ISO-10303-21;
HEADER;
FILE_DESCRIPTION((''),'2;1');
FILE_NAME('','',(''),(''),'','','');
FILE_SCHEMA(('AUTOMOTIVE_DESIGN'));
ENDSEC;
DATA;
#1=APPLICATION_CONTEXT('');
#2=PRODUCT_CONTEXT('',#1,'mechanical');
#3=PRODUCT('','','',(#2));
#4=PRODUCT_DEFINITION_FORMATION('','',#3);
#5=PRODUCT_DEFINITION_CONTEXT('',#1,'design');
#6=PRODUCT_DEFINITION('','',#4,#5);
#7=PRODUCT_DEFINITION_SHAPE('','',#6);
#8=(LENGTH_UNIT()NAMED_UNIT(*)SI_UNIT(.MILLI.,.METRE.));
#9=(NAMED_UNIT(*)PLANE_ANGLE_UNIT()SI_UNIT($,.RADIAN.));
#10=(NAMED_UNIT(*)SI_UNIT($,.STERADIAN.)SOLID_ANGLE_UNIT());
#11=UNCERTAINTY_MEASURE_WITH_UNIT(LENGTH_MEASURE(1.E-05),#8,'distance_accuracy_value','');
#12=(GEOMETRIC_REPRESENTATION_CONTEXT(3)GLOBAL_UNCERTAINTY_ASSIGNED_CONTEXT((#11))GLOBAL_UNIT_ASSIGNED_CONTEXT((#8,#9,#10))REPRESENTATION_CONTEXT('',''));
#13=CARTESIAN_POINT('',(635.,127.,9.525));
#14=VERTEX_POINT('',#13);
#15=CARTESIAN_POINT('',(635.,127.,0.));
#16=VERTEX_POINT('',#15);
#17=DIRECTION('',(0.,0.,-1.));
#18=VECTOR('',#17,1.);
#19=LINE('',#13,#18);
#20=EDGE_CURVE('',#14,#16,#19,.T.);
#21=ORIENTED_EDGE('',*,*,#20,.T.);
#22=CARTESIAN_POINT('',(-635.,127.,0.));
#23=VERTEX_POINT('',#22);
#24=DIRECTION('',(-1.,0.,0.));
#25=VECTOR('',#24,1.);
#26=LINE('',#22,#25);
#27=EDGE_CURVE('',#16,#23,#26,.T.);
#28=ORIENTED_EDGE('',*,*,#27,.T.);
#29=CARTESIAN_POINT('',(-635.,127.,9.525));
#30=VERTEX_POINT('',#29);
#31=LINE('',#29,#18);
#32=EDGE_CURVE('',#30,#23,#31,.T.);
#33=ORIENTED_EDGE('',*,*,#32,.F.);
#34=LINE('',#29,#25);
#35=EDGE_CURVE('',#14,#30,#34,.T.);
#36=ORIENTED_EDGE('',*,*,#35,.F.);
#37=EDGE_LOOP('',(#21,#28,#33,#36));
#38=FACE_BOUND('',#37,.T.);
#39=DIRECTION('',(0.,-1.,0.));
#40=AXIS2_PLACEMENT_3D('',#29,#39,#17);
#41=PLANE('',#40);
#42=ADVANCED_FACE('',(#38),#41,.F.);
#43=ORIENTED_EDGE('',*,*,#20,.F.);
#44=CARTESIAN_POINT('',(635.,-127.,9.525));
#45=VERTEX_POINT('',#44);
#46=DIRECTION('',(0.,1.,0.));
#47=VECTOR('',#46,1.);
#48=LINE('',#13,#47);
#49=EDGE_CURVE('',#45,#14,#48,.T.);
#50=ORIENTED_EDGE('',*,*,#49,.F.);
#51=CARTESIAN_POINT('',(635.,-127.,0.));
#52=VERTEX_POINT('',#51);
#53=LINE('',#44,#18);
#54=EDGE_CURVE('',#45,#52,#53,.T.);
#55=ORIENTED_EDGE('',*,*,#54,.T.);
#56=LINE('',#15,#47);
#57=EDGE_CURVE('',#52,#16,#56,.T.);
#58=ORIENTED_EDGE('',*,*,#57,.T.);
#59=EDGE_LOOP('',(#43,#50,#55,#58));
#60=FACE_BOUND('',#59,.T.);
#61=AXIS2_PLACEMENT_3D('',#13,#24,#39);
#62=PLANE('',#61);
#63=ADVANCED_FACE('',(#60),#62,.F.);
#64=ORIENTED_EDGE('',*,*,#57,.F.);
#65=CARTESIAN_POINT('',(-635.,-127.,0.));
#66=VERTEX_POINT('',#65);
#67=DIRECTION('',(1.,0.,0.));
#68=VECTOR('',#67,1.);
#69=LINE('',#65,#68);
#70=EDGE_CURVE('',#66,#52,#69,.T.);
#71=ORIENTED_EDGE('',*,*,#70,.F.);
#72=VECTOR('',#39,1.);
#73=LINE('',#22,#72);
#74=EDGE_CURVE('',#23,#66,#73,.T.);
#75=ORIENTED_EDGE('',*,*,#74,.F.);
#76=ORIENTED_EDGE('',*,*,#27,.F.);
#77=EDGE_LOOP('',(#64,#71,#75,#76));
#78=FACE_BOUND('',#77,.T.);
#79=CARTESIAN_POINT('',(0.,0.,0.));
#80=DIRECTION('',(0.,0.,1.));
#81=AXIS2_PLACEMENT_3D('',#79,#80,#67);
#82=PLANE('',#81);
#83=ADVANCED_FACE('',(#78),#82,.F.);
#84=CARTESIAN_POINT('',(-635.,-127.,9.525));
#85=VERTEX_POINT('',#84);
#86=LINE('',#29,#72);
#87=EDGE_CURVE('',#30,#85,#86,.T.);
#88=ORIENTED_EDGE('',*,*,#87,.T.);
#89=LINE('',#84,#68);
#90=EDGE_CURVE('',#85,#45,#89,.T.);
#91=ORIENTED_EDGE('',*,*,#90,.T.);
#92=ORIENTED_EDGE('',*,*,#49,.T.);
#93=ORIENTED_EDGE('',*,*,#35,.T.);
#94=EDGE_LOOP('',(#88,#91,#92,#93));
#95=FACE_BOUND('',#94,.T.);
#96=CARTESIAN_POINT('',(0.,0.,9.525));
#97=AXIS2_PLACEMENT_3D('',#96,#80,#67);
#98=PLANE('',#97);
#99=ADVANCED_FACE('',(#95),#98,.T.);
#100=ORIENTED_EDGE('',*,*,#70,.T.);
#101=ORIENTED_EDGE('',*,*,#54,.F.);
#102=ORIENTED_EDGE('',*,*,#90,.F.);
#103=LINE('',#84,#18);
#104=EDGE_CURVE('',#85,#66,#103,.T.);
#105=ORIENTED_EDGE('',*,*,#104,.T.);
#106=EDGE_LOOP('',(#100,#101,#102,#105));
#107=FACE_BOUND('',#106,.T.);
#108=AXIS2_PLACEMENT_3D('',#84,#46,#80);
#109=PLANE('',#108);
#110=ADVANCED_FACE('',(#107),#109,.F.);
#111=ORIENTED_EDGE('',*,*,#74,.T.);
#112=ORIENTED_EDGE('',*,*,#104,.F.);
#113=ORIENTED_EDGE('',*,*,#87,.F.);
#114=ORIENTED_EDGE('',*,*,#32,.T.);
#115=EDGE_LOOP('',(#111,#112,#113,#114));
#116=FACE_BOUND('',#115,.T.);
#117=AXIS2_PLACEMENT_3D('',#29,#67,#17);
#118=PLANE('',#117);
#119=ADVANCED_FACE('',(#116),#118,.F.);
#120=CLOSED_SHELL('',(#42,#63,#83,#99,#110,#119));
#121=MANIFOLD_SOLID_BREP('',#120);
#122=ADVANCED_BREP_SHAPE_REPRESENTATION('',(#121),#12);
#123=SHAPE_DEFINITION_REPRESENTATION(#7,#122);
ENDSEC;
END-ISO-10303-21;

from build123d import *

# Parameters (mm, degrees)
SKETCH1_W           = 1270
SKETCH1_H           = 254
BOSS_EXTRUDE1_DEPTH = 9.525


with BuildPart() as part:
    # Sketch1 → Boss-Extrude1 (new body)
    with BuildSketch(Plane.XY):
        Rectangle(SKETCH1_W, SKETCH1_H)
    extrude(amount=BOSS_EXTRUDE1_DEPTH)


solid = part.part
